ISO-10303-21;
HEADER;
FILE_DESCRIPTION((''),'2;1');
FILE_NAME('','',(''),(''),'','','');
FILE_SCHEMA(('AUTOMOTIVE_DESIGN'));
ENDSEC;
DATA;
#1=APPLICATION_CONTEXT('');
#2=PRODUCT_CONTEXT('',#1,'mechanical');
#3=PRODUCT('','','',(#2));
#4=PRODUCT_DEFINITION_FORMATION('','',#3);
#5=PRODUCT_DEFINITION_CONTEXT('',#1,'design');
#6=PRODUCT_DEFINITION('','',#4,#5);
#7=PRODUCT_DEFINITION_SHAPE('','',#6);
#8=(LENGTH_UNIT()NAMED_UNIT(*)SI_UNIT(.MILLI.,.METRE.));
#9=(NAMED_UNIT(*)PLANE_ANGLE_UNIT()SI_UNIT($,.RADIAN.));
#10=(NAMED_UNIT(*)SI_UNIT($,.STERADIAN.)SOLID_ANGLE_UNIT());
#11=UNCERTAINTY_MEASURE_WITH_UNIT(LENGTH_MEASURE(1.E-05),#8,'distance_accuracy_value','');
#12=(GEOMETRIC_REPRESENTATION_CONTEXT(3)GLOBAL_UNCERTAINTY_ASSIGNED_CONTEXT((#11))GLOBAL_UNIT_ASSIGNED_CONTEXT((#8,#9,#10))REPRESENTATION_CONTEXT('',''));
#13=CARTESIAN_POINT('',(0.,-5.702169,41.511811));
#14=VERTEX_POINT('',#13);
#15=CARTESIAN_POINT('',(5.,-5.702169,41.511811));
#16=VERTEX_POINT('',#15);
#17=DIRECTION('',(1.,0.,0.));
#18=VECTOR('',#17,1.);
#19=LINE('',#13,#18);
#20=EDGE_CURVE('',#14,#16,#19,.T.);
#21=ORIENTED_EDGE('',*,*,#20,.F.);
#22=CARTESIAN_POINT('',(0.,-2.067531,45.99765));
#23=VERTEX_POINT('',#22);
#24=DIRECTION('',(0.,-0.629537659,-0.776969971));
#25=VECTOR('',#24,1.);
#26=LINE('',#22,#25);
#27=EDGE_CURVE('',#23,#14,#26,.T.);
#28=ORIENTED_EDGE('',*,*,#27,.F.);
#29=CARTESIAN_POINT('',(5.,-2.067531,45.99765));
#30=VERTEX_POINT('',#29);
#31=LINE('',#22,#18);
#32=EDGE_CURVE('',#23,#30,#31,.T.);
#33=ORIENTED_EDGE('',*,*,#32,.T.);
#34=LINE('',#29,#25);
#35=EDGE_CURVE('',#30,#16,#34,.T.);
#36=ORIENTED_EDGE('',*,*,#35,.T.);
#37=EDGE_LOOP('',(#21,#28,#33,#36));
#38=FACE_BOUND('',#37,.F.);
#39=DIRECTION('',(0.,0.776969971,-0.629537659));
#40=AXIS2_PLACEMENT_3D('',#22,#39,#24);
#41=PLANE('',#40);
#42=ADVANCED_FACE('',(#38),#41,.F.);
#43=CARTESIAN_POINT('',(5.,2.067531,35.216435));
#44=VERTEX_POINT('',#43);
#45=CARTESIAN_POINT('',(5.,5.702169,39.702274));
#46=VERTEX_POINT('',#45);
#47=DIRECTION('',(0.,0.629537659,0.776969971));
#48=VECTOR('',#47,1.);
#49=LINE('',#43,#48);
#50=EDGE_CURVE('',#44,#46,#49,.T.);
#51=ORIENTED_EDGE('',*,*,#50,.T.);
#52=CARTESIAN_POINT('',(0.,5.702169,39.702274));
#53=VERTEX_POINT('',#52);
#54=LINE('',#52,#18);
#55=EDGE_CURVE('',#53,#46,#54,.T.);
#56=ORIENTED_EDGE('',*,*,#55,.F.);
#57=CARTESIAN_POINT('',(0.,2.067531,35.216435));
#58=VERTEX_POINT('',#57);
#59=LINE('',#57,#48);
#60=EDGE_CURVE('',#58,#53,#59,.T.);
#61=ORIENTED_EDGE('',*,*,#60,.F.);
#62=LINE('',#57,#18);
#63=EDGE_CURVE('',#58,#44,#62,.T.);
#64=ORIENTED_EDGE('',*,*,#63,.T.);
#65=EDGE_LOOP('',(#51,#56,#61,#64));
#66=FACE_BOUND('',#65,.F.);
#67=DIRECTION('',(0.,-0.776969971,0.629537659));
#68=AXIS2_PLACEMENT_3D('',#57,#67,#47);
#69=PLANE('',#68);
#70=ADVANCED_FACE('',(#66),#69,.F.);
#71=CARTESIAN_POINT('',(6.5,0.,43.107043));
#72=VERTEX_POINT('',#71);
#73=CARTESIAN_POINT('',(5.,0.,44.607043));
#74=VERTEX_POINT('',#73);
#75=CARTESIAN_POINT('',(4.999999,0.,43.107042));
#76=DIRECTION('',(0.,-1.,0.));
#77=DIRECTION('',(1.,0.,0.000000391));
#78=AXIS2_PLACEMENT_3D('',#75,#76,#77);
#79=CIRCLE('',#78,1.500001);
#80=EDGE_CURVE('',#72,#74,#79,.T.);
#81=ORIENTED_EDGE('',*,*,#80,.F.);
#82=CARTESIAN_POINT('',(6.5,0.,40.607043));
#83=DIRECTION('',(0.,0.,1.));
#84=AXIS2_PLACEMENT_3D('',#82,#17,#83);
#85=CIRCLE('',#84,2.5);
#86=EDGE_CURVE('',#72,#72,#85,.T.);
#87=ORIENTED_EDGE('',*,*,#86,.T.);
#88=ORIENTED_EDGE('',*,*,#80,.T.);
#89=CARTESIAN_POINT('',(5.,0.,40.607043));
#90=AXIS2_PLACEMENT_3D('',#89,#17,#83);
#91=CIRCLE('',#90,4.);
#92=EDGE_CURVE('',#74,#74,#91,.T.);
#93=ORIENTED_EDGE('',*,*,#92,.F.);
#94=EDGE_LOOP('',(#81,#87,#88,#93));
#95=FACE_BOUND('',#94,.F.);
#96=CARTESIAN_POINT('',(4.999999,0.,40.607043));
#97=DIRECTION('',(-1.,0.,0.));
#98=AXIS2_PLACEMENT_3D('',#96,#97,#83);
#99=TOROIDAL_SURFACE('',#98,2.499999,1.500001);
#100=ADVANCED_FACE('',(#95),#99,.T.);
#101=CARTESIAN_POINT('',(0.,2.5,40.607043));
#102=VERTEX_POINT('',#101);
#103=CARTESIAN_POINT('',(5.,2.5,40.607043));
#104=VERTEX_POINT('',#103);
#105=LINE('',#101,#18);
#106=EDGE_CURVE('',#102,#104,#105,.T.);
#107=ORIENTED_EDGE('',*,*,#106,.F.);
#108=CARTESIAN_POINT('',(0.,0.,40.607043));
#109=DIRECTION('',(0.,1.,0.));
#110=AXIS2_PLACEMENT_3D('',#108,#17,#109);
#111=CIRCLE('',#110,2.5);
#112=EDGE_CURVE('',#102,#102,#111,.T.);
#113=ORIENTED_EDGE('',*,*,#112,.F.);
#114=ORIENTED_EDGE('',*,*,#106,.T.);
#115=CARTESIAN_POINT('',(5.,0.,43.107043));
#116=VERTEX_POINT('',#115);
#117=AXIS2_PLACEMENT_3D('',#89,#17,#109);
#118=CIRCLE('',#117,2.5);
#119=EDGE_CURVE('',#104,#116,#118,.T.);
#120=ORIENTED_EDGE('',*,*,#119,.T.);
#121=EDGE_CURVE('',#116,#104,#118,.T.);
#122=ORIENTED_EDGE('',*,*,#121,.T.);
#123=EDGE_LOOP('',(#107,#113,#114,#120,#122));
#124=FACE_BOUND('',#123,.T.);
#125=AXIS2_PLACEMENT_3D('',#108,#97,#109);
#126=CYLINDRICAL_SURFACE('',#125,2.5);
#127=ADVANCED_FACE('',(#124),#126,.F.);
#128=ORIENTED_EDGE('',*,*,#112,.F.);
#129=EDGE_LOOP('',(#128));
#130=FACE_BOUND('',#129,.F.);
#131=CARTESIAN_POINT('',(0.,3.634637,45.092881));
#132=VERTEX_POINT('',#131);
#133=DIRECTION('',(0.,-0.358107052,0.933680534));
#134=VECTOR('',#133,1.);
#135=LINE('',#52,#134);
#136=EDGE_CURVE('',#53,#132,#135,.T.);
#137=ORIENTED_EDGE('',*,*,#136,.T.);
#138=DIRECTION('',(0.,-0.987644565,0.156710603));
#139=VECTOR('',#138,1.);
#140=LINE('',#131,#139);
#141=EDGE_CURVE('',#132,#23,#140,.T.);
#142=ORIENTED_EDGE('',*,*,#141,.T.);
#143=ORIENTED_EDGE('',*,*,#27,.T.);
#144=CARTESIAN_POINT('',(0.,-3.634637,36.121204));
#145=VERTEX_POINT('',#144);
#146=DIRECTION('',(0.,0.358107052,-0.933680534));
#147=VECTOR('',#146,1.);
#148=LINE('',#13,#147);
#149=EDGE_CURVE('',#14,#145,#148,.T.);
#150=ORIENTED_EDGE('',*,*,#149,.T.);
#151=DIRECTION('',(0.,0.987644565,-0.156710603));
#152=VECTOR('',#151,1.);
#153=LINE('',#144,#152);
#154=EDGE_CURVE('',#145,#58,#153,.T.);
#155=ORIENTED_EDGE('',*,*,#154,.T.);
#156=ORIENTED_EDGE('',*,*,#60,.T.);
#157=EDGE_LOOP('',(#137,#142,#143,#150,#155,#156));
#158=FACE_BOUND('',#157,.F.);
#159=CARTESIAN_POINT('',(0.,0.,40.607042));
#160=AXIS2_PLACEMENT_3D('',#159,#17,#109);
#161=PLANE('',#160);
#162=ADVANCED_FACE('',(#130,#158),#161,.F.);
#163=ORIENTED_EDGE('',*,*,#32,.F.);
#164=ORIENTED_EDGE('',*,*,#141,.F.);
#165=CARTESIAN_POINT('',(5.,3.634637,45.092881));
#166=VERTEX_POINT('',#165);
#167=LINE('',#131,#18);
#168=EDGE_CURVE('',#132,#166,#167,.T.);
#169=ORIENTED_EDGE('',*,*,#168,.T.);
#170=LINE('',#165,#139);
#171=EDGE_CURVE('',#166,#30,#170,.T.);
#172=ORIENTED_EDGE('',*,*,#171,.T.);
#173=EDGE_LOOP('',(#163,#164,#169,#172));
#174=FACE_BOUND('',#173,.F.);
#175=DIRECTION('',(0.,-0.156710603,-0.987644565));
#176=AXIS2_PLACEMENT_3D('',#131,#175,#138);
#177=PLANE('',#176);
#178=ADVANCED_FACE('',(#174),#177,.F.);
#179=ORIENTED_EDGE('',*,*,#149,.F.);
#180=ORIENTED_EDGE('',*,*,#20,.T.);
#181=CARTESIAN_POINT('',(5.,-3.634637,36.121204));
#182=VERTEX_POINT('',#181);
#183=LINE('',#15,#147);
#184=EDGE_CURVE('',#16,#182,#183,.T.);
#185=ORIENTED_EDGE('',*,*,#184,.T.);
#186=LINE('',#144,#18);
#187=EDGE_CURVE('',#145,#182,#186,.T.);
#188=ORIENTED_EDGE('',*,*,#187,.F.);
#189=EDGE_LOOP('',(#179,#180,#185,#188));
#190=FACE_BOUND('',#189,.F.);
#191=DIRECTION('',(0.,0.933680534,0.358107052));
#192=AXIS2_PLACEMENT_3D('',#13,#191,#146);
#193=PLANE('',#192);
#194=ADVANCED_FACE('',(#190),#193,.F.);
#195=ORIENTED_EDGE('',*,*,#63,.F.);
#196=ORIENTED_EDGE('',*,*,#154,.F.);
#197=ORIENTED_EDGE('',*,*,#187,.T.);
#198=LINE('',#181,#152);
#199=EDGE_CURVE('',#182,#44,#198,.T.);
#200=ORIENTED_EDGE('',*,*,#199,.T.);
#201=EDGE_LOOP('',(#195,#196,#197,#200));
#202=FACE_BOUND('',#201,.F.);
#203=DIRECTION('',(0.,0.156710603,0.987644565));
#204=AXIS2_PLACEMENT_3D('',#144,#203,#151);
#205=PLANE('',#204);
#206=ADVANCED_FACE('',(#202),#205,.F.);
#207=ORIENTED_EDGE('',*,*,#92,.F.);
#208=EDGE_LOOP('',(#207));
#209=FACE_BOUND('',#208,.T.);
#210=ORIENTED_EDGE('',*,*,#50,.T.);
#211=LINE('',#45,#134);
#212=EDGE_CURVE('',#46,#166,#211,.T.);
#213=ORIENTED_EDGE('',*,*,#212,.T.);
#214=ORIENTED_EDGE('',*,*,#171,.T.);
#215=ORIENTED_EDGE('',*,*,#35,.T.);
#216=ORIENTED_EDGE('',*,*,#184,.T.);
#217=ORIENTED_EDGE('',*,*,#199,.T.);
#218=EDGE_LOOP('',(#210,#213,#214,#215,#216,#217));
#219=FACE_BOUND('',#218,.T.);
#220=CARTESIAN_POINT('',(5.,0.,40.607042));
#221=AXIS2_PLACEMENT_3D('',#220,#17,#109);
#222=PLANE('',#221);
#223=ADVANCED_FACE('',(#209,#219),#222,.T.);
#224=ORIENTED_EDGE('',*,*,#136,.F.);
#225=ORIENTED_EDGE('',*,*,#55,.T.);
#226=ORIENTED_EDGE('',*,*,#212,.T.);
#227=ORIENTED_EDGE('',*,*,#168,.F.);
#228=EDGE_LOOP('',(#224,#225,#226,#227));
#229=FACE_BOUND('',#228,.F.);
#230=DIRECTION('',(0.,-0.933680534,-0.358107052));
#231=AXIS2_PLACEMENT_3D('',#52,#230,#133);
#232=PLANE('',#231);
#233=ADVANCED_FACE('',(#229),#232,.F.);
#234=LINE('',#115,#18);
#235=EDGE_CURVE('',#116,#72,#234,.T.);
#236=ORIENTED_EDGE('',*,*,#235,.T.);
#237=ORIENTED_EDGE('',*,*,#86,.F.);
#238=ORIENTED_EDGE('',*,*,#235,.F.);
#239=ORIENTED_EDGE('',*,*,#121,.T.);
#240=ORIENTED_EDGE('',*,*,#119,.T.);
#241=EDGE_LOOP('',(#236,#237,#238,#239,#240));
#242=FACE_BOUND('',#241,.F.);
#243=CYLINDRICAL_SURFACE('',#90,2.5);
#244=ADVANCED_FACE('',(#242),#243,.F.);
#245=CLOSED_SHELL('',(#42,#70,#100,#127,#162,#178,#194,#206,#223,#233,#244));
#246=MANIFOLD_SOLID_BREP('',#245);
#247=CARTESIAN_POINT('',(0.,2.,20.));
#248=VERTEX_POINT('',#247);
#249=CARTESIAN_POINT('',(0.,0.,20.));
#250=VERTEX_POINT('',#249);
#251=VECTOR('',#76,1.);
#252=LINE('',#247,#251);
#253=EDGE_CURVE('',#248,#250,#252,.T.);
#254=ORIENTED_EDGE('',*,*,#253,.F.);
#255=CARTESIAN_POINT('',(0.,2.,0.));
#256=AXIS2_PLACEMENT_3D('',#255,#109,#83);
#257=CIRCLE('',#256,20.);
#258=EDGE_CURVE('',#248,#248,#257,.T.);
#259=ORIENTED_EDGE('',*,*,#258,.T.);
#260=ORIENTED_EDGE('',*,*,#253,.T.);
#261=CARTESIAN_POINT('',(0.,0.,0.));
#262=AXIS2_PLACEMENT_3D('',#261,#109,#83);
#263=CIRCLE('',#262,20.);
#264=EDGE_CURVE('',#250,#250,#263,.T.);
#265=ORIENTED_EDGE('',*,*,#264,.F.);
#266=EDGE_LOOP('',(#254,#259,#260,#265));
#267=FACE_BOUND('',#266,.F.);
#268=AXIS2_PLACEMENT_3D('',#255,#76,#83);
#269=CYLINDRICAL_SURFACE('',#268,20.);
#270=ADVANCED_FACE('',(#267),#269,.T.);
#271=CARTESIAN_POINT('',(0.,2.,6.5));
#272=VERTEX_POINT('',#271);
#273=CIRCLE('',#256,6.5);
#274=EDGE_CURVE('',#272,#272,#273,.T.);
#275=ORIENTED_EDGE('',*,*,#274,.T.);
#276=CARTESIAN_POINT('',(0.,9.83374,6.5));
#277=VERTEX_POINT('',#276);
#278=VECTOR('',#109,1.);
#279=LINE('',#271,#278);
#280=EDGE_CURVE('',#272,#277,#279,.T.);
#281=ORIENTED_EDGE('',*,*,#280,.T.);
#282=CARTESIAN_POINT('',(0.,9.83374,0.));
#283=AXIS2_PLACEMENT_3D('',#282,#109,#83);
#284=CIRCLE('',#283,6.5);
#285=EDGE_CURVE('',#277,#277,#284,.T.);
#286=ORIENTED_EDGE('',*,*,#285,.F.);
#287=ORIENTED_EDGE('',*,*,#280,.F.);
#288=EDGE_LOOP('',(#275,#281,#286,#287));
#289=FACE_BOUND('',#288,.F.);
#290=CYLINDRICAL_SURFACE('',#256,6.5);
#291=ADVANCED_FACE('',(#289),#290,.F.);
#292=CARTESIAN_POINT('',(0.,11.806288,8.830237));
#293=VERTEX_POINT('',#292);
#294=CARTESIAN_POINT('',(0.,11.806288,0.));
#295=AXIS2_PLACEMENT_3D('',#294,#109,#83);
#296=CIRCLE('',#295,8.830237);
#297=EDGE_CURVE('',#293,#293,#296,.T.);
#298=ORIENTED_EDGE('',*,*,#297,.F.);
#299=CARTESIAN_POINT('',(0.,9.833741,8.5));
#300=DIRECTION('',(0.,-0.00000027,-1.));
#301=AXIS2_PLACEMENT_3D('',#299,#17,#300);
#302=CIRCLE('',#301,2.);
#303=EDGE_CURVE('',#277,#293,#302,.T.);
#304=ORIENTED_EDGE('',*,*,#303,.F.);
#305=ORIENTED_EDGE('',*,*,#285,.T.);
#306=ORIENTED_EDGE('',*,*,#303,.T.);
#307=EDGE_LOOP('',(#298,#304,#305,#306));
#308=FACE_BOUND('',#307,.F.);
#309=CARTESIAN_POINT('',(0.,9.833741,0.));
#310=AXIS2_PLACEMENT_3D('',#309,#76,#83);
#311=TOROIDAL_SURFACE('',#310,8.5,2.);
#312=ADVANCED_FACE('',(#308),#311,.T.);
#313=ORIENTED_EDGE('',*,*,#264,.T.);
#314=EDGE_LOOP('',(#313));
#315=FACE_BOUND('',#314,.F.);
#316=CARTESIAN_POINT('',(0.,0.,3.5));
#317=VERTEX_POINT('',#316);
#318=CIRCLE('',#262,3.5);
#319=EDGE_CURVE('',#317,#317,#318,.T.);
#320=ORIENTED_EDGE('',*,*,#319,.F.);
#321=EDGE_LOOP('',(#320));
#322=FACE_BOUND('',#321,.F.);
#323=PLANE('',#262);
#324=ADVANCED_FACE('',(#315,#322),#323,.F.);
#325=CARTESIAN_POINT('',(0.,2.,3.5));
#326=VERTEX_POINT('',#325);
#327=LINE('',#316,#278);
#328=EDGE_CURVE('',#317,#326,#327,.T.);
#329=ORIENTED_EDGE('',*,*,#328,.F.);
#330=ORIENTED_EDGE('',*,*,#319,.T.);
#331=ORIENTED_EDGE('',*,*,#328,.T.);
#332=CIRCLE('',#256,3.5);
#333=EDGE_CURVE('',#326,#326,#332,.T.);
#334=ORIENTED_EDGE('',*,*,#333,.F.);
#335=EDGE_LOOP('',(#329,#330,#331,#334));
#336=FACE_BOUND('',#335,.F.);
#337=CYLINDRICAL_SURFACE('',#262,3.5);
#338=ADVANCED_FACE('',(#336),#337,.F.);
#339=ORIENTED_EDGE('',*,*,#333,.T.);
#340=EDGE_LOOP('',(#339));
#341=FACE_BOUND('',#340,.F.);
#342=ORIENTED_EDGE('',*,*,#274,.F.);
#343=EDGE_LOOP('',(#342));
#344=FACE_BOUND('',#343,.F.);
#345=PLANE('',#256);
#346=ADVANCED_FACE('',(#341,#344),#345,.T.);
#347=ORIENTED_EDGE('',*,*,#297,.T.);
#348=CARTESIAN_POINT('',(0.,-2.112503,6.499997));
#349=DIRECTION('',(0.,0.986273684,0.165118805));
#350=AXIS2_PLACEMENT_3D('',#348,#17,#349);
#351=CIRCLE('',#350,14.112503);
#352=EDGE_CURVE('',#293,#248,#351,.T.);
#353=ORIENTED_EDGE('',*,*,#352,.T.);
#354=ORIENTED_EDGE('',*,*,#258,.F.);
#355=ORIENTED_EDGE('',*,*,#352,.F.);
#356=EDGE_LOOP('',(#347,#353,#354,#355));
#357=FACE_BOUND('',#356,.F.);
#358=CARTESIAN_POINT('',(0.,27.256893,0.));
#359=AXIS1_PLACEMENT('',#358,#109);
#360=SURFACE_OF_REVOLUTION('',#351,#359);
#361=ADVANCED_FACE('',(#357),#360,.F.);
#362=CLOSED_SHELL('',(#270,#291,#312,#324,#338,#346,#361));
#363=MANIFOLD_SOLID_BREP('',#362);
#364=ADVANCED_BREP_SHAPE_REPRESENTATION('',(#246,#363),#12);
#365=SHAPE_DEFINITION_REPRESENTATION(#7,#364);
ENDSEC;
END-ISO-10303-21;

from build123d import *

# Parameters (mm, degrees)
F2_R     = 2.5
F3_DEPTH = 5


with BuildPart() as f1:
    # F0 (on Right) → F1 (revolve)
    with BuildSketch(Plane.YZ):
        with BuildLine():
            Line((0, 20), (0, 3.5))
            Line((0, 3.5), (2, 3.5))
            Line((2, 3.5), (2, 6.5))
            Line((2, 6.5), (9.83374, 6.5))
            ThreePointArc((9.83374, 6.5), (11.360252, 7.207807), (11.806288, 8.830237))
            ThreePointArc((11.806288, 8.830237), (8.492816, 15.810742), (2, 20))
            Line((2, 20), (0, 20))
        make_face()
    revolve(axis=Axis((0, 27.256893, 0), (0, 1, 0)))


with BuildPart() as f3:
    # F2 (on Right) → F3 (new body)
    with BuildSketch(Plane.YZ):
        Polygon((-2.067531, 45.99765), (-5.702169, 41.511811), (-3.634637, 36.121204), (2.067531, 35.216435), (5.702169, 39.702274), (3.634637, 45.092881), align=None)
        with Locations((0, 40.607043)):
            Circle(F2_R, mode=Mode.SUBTRACT)
    extrude(amount=F3_DEPTH)

    # F4 (on Front) → F5 (revolve)
    with BuildSketch(Plane.XZ):
        with BuildLine():
            Line((5, 44.607043), (5, 43.107043))
            Line((5, 43.107043), (6.5, 43.107043))
            ThreePointArc((6.5, 43.107043), (6.06066, 44.167703), (5, 44.607043))
        make_face()
    revolve(axis=Axis((3.867194, 0, 40.607043), (1, 0, 0)))


solid = Compound([f1.part, f3.part])
